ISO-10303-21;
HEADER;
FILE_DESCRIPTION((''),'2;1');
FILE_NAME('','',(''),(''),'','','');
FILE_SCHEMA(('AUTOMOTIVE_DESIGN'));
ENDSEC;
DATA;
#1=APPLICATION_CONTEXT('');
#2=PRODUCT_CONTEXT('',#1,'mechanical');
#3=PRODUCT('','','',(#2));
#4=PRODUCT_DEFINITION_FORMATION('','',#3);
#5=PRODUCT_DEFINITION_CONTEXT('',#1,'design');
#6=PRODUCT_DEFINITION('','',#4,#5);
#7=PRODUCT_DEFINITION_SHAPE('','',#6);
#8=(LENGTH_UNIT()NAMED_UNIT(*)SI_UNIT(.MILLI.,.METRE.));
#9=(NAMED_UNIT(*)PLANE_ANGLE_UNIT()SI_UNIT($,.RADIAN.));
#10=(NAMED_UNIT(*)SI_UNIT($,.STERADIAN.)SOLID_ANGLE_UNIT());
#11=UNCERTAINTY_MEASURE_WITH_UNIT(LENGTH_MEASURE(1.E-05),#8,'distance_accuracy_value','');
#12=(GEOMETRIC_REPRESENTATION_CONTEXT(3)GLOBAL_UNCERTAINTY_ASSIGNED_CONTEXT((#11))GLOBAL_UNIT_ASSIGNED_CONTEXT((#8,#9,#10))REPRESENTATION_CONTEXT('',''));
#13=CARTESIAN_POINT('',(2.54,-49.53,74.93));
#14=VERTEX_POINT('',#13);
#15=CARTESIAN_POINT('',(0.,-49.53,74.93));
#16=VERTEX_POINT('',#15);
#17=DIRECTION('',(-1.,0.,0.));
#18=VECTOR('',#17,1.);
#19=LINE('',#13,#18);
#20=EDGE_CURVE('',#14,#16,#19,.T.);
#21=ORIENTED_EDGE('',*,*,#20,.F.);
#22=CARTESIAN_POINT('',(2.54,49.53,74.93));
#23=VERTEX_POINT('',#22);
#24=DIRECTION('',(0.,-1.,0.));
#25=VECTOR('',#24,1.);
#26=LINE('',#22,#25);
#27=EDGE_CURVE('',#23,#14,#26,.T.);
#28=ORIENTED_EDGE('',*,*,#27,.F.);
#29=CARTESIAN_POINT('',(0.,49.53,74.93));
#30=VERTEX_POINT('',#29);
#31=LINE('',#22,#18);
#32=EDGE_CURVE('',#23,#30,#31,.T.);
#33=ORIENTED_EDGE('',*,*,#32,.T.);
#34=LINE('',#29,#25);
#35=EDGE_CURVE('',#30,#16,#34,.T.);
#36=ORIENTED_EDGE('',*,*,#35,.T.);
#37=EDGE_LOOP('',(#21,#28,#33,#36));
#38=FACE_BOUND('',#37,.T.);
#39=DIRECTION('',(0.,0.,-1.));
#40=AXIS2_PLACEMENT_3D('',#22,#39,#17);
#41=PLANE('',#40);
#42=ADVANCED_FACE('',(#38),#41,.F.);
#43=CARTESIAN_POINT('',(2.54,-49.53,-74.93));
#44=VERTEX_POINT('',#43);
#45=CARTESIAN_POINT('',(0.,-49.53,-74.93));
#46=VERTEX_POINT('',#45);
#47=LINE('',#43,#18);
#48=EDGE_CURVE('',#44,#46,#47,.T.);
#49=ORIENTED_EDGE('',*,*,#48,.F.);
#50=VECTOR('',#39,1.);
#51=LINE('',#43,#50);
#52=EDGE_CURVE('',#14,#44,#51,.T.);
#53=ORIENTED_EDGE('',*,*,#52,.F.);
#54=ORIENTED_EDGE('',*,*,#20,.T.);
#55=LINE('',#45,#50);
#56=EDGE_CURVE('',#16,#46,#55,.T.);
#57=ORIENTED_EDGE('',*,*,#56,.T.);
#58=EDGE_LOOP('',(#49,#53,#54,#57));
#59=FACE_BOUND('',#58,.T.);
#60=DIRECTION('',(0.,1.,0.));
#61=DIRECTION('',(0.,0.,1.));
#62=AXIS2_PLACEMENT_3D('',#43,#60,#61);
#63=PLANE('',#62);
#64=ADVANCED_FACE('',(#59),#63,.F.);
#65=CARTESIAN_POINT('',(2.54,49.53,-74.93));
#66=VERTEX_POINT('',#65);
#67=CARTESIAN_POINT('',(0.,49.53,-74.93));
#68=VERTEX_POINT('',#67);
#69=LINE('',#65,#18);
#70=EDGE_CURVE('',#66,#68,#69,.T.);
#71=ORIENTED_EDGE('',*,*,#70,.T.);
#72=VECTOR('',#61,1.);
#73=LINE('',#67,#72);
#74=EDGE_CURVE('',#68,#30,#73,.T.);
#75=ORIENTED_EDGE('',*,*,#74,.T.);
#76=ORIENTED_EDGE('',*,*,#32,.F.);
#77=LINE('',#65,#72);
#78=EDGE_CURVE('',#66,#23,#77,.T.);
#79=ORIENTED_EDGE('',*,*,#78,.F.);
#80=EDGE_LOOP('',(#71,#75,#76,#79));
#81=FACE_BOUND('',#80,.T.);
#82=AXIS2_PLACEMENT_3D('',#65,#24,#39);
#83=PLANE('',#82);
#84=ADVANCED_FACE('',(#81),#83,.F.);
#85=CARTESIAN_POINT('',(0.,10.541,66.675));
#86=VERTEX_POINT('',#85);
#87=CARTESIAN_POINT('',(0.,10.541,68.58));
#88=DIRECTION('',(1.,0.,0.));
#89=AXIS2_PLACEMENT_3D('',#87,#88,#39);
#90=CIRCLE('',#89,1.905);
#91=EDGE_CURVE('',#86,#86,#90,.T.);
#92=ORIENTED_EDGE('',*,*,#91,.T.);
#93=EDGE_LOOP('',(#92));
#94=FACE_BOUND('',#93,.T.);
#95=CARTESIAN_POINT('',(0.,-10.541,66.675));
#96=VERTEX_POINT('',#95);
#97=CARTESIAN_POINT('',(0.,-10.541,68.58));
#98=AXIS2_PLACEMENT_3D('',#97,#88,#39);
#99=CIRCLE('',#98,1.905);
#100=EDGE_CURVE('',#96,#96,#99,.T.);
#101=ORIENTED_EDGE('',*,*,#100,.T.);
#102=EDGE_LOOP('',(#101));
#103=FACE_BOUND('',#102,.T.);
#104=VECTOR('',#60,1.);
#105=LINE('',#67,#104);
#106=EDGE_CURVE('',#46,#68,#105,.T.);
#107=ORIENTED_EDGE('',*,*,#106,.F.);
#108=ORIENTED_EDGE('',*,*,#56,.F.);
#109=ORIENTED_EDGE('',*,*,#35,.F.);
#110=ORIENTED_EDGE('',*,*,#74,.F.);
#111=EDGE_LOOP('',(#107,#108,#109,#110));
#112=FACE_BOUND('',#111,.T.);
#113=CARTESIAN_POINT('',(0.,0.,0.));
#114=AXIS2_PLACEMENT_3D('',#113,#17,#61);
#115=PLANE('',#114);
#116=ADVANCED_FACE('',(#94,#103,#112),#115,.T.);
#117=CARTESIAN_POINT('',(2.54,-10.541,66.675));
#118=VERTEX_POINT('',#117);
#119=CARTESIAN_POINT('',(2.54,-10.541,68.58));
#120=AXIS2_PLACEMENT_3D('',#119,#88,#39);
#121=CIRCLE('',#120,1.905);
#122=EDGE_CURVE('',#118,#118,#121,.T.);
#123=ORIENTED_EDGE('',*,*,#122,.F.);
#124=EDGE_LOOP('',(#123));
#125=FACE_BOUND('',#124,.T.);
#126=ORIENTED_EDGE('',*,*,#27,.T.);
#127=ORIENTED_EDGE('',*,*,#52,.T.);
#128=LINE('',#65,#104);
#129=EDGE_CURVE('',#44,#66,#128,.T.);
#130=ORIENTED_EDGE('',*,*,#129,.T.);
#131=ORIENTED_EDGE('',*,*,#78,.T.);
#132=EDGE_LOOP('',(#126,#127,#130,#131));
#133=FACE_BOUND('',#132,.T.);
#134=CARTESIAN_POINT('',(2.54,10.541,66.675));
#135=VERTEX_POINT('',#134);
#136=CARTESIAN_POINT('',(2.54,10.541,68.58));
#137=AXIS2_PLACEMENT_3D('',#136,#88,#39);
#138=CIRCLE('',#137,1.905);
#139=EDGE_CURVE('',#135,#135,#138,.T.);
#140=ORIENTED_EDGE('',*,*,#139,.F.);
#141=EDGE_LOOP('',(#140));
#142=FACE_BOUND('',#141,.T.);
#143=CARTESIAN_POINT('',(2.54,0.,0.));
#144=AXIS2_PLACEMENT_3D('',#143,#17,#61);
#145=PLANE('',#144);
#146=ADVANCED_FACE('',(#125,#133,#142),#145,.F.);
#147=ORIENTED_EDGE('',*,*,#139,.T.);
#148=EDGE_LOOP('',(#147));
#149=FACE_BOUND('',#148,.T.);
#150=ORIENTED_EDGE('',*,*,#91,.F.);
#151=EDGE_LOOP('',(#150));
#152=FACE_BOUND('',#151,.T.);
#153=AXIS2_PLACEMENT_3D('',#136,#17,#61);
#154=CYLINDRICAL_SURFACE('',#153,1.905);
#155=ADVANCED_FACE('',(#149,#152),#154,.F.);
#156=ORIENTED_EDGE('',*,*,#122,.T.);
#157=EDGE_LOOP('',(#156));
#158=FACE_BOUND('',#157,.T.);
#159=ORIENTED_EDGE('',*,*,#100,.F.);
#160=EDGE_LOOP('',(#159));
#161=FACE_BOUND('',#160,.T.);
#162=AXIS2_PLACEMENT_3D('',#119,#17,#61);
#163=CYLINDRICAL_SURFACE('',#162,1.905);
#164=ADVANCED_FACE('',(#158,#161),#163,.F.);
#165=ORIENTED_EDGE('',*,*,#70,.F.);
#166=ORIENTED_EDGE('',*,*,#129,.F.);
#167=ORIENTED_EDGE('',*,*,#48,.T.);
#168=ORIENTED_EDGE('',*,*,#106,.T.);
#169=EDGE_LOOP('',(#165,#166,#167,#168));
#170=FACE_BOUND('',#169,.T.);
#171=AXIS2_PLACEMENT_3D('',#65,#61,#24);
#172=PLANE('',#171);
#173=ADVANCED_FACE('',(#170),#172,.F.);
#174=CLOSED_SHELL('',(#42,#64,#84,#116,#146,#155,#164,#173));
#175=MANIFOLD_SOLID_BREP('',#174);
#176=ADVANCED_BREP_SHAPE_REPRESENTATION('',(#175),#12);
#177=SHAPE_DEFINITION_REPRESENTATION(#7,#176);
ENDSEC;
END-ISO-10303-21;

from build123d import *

# Parameters (mm, degrees)
SKETCH1_W           = 149.86
SKETCH1_H           = 99.06
SKETCH1_R           = 1.905
BOSS_EXTRUDE1_DEPTH = 2.54


with BuildPart() as part:
    # Sketch1 → Boss-Extrude1 (new body)
    with BuildSketch(Plane(origin=(0, 0, 0), x_dir=(0, 0, -1), z_dir=(1, 0, 0))):
        Rectangle(SKETCH1_W, SKETCH1_H)
        with Locations((-68.58, 10.541)):
            Circle(SKETCH1_R, mode=Mode.SUBTRACT)
        with Locations((-68.58, -10.541)):
            Circle(SKETCH1_R, mode=Mode.SUBTRACT)
    extrude(amount=BOSS_EXTRUDE1_DEPTH)


solid = part.part
